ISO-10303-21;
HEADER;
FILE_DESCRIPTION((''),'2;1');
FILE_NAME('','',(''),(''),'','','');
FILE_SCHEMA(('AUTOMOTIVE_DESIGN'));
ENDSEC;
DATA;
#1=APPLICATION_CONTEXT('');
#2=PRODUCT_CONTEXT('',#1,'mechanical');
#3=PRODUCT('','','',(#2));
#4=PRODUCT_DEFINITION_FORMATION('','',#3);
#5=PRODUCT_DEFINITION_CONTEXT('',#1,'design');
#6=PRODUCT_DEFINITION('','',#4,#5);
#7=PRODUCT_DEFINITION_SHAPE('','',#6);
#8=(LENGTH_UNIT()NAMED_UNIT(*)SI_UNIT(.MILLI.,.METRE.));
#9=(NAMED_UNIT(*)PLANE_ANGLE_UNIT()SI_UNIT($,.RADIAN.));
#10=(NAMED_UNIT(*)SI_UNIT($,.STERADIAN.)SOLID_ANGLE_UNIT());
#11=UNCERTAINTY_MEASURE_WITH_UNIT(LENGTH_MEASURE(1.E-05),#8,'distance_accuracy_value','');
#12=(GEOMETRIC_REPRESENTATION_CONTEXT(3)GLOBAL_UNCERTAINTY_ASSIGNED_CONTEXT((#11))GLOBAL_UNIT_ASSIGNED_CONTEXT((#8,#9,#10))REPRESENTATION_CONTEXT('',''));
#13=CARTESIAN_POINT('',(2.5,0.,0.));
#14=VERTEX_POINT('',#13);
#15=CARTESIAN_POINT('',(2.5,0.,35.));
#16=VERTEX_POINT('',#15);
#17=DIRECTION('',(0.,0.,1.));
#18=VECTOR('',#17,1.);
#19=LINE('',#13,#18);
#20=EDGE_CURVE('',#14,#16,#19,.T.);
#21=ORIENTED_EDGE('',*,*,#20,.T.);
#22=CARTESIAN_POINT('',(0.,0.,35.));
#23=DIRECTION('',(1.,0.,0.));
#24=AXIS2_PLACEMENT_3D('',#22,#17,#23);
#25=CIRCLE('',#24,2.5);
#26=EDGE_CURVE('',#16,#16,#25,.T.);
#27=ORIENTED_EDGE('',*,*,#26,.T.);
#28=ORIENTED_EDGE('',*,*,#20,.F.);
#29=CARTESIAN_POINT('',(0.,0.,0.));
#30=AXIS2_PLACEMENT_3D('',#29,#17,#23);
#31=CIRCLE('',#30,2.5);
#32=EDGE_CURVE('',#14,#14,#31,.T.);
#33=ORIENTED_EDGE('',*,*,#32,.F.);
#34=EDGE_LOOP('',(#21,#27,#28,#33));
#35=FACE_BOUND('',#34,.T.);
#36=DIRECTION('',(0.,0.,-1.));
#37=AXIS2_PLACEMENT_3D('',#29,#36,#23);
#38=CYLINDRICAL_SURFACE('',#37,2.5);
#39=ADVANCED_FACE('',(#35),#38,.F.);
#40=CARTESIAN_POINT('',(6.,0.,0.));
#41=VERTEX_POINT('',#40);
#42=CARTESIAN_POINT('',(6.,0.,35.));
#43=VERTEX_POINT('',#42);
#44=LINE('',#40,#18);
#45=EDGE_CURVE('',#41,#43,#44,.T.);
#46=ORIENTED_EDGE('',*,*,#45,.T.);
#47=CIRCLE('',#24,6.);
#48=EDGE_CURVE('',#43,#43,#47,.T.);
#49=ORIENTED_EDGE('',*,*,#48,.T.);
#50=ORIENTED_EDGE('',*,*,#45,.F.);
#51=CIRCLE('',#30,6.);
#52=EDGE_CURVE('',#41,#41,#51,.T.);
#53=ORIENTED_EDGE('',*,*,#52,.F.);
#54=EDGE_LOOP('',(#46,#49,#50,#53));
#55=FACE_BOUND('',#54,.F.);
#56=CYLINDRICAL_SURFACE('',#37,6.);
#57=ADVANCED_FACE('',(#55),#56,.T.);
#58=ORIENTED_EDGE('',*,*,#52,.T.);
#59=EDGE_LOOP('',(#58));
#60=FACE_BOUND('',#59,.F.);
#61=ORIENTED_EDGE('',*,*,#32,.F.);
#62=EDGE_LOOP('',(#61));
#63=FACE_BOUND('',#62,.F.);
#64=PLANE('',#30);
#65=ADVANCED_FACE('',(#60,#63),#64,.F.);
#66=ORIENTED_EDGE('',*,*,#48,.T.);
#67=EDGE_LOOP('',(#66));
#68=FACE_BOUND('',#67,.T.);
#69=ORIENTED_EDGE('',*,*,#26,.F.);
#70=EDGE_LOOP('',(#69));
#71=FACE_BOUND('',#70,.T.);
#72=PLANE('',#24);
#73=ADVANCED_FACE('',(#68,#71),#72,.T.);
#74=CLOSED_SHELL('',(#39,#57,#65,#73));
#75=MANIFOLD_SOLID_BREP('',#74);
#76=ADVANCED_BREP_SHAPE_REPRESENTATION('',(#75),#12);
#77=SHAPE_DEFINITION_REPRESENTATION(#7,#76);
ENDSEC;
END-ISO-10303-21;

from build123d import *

# Parameters (mm, degrees)
SKETCH_R   = 6
SKETCH_R_2 = 2.5
PAD_DEPTH  = 35


with BuildPart() as part:
    # Sketch → Pad (new body)
    with BuildSketch(Plane.XY):
        Circle(SKETCH_R)
        Circle(SKETCH_R_2, mode=Mode.SUBTRACT)
    extrude(amount=PAD_DEPTH)


solid = part.part
